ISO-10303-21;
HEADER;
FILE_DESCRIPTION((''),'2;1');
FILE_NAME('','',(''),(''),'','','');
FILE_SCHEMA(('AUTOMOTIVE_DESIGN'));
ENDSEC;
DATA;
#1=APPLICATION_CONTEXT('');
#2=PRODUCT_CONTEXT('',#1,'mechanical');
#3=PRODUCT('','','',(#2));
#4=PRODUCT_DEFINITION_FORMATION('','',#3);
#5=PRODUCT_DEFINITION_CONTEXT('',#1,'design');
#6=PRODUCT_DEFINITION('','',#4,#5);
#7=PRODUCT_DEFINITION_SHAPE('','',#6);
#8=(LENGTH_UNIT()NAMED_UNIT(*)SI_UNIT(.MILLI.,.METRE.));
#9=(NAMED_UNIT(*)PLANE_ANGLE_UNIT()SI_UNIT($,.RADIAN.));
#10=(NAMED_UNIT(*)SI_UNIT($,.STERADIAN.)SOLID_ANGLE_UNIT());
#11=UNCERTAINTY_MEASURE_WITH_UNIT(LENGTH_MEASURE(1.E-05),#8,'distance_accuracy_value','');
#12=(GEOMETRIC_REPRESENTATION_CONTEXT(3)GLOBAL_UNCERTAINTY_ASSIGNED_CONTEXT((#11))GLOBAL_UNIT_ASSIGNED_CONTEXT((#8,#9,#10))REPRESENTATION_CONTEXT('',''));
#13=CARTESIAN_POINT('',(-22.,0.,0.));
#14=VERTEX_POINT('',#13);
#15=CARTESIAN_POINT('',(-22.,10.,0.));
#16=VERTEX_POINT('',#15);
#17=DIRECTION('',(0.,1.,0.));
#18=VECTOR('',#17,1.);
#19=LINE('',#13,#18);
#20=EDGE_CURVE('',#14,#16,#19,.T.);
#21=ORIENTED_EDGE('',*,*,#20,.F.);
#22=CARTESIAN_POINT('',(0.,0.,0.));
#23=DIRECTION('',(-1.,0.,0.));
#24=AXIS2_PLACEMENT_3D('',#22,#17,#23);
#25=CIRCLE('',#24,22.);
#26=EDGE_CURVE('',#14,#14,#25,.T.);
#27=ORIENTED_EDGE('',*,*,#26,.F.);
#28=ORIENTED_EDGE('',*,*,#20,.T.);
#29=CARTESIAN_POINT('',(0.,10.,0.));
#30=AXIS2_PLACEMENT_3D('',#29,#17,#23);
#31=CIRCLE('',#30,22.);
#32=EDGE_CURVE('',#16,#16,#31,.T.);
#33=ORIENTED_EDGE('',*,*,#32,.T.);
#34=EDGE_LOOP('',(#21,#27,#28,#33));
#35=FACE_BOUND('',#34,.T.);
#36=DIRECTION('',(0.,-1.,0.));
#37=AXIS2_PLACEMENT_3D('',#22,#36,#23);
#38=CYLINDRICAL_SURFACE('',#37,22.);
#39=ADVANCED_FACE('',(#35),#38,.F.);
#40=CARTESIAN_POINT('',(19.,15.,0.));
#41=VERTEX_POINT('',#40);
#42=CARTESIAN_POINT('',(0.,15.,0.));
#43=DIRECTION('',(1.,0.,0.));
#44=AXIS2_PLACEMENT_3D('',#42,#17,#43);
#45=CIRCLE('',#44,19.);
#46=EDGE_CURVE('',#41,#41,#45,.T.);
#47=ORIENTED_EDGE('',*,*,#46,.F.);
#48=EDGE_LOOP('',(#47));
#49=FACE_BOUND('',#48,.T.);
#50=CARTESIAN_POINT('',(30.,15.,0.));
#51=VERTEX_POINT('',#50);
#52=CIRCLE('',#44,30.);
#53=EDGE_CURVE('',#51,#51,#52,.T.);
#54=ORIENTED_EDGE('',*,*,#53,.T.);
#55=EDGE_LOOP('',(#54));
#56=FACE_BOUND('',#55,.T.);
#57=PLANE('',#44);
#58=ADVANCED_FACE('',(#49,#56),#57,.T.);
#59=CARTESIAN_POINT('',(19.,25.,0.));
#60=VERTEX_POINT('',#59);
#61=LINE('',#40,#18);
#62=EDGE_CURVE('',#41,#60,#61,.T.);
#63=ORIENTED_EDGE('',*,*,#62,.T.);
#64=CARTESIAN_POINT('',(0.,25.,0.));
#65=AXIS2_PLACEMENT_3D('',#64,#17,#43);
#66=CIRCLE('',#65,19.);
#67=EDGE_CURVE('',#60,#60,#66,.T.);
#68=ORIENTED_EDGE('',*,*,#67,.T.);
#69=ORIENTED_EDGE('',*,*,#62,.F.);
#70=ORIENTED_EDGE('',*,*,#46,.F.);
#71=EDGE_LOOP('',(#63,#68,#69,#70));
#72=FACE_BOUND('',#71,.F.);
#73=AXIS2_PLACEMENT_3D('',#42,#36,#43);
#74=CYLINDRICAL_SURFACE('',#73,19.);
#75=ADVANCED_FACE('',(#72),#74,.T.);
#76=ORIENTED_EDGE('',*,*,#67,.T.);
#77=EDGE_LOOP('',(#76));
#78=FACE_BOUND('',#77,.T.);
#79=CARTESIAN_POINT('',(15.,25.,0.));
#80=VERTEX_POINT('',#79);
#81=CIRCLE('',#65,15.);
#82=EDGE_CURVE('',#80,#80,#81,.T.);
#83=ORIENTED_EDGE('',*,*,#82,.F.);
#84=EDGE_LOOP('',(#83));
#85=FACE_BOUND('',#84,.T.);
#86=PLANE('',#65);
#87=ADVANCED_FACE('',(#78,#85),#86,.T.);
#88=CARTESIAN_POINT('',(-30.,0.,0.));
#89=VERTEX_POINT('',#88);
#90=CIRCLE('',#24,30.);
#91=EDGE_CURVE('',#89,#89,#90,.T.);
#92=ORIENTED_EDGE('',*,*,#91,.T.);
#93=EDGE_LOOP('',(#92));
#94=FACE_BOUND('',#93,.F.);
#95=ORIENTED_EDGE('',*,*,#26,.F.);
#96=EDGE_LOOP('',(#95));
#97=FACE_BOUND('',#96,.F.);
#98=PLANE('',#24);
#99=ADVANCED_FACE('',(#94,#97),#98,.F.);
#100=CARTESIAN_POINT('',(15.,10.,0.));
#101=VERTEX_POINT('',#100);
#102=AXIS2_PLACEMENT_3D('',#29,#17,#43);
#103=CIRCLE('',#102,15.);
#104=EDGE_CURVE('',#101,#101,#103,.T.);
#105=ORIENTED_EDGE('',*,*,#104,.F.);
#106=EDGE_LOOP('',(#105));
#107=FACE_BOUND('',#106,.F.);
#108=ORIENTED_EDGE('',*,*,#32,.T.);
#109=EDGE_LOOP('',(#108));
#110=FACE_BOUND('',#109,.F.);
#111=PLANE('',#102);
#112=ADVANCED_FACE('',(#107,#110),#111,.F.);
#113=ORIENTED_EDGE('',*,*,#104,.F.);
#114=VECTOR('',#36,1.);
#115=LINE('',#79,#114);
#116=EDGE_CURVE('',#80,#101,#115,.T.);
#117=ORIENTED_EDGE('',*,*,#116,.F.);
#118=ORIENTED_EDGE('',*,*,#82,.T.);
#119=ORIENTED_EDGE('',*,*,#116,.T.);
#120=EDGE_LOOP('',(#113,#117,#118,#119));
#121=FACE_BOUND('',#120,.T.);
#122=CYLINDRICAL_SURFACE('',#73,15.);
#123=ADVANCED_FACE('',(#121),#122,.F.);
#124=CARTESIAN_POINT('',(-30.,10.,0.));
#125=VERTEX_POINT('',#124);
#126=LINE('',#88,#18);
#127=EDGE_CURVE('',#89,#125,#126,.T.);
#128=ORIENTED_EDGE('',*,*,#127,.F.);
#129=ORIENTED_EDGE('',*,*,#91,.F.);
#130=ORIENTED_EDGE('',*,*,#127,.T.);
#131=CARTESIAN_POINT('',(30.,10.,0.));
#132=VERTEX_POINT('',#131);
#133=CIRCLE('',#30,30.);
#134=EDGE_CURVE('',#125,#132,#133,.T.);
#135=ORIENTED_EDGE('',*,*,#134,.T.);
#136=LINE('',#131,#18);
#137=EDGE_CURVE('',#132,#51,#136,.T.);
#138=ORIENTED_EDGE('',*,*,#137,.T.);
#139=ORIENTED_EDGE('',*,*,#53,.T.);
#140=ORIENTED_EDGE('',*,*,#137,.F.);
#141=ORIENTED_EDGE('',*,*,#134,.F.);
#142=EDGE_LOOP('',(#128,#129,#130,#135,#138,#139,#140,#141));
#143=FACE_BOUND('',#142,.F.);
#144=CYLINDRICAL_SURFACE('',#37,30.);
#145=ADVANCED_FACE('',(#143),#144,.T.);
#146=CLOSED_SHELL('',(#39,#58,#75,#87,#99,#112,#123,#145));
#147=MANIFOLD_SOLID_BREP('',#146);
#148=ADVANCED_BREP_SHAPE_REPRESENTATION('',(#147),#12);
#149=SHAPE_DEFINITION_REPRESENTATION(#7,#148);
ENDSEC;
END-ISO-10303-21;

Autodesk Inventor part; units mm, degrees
ref_plane "YZ Plane" through (0, 0, 0) normal (1, 0, 0) x (0, 1, 0)
ref_plane "XZ Plane" through (0, 0, 0) normal (0, 1, 0) x (-1, 0, 0)
ref_plane "XY Plane" through (0, 0, 0) normal (0, 0, 1) x (1, 0, 0)
sketch "Sketch2" plane through (0, 0, 0) normal (0, 1, 0) x (-1, 0, 0)
  circle A0 centre (0, 0) radius 22
  circle A1 centre (0, 0) radius 30
  dimension "d0" = 44
  dimension "d1" = 60
extrude "Extrusion1" add sketch "Sketch2" along normal blind 10
sketch "Sketch3" plane through (0, 10, 0) normal (0, 1, 0) x (1, 0, 0)
  circle A0 centre (0, 0) radius 30 projected
  circle A1 centre (0, 0) radius 15
  dimension "d4" = 30
extrude "Extrusion2" add sketch "Sketch3" along normal blind 5
sketch "Sketch4" plane through (0, 15, 0) normal (0, 1, 0) x (1, 0, 0)
  circle A0 centre (0, 0) radius 15
  circle A1 centre (0, 0) radius 19
  dimension "d7" = 38
  dimension "d8" = 30
extrude "Extrusion3" add sketch "Sketch4" along normal blind 10
properties part number "smallbearingcup" material "Steel"
